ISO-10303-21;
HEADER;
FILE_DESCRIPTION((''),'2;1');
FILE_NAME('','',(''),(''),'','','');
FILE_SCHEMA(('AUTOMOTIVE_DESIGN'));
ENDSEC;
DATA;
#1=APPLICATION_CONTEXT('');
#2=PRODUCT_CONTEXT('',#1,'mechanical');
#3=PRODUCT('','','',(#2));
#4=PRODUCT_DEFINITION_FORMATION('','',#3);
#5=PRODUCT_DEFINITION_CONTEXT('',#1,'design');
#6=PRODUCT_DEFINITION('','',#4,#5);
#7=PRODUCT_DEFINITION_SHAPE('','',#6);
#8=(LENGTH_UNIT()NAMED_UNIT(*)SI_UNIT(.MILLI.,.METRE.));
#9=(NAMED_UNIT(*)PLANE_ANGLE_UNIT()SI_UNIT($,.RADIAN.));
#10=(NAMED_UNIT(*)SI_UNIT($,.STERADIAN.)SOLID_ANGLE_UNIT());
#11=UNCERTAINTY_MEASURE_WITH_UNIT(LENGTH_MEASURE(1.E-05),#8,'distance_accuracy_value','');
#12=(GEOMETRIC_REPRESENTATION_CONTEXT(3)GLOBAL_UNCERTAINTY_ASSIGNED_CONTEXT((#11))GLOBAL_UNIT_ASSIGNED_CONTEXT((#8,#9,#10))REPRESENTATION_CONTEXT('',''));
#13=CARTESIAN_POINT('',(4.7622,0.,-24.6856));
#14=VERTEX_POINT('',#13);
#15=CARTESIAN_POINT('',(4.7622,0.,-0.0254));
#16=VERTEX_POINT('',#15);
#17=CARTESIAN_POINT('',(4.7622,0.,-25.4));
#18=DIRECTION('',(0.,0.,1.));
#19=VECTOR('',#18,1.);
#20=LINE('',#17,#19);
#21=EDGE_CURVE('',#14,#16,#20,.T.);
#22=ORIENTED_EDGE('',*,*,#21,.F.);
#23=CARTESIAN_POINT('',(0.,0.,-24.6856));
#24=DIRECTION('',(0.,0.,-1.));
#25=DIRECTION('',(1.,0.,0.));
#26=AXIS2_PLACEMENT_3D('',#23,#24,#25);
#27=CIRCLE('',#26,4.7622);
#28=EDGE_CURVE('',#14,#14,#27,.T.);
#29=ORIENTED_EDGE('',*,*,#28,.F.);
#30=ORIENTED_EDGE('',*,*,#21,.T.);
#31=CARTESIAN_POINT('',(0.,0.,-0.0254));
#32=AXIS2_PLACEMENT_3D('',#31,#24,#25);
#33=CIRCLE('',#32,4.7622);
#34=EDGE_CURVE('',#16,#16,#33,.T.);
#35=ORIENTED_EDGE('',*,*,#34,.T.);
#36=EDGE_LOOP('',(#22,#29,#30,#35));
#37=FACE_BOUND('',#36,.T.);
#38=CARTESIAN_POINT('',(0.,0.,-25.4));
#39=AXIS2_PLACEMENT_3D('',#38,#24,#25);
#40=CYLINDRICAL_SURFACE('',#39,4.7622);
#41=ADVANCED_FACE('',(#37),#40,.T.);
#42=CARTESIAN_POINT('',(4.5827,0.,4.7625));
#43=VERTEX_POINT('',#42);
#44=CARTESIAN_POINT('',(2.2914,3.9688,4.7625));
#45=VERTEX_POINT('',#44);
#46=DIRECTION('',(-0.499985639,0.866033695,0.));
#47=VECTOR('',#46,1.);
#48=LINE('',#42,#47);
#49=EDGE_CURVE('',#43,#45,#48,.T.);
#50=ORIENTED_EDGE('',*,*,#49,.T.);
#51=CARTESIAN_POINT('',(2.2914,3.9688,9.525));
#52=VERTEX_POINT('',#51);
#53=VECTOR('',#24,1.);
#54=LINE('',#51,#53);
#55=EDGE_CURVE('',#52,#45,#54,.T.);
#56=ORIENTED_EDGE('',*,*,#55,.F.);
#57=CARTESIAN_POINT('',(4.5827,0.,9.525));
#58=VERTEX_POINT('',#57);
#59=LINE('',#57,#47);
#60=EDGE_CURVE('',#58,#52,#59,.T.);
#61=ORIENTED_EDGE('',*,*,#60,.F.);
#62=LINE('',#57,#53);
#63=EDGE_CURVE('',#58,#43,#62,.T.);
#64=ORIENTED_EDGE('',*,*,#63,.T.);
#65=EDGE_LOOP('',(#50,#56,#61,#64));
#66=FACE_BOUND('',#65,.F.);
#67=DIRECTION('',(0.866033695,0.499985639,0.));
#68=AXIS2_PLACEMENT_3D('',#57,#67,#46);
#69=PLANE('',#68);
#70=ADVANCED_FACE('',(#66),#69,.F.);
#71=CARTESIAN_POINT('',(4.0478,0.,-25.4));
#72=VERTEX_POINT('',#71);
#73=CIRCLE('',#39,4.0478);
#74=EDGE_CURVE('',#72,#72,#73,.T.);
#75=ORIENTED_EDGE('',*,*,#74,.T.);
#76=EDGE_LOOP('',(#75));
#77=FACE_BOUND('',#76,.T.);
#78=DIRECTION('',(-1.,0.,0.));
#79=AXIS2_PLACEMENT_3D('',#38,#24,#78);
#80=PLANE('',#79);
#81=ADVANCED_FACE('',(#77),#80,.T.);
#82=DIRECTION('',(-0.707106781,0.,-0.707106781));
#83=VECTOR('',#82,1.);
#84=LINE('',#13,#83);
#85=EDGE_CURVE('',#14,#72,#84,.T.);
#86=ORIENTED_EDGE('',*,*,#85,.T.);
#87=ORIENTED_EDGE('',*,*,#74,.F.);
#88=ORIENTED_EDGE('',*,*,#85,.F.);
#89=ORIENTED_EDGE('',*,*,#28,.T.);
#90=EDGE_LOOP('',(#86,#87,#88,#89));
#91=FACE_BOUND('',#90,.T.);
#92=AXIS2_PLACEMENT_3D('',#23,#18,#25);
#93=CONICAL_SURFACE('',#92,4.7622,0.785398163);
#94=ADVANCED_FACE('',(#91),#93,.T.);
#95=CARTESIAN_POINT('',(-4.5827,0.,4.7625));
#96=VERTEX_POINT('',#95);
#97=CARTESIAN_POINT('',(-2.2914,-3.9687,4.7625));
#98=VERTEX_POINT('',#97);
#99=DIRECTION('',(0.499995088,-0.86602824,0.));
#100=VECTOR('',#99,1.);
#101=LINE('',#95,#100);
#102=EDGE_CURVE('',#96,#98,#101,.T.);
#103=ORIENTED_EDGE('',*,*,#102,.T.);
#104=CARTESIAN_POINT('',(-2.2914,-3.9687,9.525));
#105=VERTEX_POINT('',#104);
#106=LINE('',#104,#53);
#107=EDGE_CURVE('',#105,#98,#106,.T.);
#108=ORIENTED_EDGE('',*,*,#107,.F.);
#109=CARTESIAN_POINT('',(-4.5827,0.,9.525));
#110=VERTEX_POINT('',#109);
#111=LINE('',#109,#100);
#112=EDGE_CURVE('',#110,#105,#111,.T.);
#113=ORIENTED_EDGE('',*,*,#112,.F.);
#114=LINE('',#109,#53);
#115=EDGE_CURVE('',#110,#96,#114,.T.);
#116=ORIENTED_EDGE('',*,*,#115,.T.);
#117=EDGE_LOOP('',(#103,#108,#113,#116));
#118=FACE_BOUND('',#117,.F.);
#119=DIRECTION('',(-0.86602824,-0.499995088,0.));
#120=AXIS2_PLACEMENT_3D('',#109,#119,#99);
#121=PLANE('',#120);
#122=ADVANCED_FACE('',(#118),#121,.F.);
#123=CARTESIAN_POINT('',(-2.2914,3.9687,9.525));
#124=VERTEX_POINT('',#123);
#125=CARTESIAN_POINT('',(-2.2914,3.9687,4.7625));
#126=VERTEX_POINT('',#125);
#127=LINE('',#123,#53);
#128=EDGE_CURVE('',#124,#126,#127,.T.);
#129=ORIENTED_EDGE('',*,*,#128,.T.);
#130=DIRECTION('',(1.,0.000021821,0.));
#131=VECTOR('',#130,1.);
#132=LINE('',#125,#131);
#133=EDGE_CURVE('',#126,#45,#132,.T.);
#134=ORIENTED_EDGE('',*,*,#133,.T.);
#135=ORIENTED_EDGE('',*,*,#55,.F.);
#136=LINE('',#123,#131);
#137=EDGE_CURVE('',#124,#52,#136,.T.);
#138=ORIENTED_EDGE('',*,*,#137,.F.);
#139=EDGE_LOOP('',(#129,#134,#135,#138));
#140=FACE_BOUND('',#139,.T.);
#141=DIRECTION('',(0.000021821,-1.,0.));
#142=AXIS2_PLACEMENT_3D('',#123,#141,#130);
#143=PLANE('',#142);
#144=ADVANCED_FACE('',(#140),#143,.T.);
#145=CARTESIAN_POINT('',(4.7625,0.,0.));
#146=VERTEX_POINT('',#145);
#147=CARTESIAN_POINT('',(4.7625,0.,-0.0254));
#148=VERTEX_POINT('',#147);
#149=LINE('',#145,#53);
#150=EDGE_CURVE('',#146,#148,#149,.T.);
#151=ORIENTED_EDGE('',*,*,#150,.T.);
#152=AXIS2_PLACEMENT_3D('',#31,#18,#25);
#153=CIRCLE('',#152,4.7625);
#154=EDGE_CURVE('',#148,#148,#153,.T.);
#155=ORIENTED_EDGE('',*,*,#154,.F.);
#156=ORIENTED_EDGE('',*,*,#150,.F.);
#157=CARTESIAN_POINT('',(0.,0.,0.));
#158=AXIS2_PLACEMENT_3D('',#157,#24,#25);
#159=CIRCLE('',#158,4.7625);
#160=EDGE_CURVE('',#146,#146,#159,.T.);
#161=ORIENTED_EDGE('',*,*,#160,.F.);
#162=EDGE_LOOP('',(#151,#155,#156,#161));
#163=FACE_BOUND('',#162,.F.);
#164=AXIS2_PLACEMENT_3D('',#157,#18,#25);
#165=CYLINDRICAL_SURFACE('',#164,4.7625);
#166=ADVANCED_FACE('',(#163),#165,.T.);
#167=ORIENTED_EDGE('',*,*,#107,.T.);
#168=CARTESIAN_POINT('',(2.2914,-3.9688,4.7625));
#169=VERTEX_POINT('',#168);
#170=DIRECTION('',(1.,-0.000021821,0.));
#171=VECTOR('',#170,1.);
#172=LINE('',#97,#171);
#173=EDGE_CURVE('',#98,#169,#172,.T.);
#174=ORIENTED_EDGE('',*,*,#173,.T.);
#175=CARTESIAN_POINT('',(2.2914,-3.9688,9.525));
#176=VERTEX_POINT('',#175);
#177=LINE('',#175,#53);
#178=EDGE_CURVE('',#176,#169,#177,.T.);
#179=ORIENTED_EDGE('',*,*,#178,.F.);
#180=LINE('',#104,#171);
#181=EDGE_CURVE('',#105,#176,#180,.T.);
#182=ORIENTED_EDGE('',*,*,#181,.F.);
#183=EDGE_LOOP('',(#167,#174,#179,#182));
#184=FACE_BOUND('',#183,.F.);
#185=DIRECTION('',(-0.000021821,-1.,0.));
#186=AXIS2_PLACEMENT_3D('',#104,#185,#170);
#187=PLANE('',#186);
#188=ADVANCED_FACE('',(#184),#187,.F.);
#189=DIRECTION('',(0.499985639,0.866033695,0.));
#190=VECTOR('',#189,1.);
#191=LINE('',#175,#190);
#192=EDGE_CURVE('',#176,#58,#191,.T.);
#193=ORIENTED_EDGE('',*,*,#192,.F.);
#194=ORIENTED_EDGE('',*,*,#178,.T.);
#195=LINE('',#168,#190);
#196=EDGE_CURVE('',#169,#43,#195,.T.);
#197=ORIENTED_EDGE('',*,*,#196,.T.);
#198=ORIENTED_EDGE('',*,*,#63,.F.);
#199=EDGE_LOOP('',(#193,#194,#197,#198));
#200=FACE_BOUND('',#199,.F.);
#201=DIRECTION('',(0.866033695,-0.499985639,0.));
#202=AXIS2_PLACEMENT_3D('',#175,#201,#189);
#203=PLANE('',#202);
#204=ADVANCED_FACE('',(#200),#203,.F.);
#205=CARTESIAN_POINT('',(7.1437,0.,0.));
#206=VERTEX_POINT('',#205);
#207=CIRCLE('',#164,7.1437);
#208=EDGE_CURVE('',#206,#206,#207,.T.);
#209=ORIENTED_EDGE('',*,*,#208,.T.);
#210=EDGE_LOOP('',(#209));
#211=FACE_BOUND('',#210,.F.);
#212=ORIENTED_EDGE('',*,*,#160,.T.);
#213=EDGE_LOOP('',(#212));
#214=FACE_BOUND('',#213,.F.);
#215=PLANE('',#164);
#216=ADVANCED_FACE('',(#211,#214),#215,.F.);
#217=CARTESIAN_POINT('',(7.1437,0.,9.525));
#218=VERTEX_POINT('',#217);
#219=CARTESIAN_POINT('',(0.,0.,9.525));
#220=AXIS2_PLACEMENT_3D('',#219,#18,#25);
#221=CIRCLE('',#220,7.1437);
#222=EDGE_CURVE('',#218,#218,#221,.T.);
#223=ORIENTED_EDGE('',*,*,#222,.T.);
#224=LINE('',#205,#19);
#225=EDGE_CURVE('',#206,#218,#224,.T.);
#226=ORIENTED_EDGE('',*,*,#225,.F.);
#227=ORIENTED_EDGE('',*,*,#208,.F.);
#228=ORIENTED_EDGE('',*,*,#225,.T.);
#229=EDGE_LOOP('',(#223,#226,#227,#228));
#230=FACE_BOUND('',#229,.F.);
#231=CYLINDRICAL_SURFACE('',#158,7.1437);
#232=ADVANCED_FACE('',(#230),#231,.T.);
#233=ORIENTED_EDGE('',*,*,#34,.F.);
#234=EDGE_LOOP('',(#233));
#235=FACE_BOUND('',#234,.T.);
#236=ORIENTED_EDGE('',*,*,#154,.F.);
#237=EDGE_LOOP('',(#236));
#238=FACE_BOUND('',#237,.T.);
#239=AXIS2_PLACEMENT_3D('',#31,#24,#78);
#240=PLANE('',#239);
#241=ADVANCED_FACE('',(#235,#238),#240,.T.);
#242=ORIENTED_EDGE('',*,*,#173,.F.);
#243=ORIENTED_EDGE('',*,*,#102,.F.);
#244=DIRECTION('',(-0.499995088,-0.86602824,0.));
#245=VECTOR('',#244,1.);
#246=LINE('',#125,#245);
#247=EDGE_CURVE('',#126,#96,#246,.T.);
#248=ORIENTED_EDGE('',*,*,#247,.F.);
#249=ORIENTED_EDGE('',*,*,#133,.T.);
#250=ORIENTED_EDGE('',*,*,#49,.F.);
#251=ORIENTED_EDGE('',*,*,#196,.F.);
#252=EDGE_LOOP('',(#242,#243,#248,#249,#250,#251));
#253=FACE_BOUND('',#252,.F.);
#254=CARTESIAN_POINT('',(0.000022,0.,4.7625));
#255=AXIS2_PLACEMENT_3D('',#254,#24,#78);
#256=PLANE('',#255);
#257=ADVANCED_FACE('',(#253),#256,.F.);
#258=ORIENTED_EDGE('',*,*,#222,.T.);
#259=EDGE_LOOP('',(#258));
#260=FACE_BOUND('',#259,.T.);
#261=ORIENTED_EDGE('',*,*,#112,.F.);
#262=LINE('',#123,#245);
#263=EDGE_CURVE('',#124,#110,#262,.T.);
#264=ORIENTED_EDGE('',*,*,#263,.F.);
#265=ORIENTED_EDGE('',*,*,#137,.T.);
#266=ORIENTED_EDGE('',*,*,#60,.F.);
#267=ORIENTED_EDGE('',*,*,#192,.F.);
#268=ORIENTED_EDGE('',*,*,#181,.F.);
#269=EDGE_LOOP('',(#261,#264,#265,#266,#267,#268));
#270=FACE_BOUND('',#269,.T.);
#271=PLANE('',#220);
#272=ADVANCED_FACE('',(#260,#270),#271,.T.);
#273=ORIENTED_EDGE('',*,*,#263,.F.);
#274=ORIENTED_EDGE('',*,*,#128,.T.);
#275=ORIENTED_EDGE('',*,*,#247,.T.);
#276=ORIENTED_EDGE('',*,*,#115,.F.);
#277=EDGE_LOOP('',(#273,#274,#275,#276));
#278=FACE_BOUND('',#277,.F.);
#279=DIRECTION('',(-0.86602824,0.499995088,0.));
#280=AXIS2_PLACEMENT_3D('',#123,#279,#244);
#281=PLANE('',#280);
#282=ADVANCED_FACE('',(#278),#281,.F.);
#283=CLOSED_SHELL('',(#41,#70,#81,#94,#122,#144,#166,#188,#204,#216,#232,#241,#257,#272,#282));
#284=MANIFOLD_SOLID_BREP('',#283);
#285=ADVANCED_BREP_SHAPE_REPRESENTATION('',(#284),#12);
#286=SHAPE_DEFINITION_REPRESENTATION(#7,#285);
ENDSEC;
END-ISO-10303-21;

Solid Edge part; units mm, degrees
sketch "Sketch1" plane through (0, 0, 0) normal (0, 0, 1) x (1, 0, 0)
  circle A0 centre (0, 0) radius 7.1437
  dimension "D1" = 14.2875
extrude "Protrusion1" add sketch "Sketch1" along normal blind 9.525
sketch "Sketch2" plane through (0, 0, 0) normal (0, 0, -1) x (1, 0, 0)
  circle A0 centre (0, 0) radius 4.7625
extrude "Protrusion2" add sketch "Sketch2" along normal blind 25.4
sketch "Sketch3" plane through (0, 0, -25.4) normal (0, 0, -1) x (1, 0, 0)
  circle A0 centre (0, 0) radius 4.7622
extrude "Cutout1" cut sketch "Sketch3" against normal blind 25.3746 flip side to cut
chamfer "Chamfer_1" distance 0.7144 angle 45 1 edges at (-4.7622, 0, -25.4)
sketch "Sketch4" plane through (0, 0, 9.525) normal (0, 0, 1) x (1, 0, 0)
  line L0 (-2.2914, 3.9687) -> (2.2914, 3.9688)
  line L1 (4.5827, 0) -> (2.2914, 3.9688)
  line L2 (2.2914, -3.9688) -> (4.5827, 0)
  line L3 (-2.2914, -3.9687) -> (2.2914, -3.9688)
  line L4 (-4.5827, 0) -> (-2.2914, -3.9688)
  line L5 (-2.2914, 3.9688) -> (-4.5827, 0)
  dimension "D1" = 7.9375
extrude "Cutout2" cut sketch "Sketch4" against normal blind 4.7625
properties part number "24102164"
